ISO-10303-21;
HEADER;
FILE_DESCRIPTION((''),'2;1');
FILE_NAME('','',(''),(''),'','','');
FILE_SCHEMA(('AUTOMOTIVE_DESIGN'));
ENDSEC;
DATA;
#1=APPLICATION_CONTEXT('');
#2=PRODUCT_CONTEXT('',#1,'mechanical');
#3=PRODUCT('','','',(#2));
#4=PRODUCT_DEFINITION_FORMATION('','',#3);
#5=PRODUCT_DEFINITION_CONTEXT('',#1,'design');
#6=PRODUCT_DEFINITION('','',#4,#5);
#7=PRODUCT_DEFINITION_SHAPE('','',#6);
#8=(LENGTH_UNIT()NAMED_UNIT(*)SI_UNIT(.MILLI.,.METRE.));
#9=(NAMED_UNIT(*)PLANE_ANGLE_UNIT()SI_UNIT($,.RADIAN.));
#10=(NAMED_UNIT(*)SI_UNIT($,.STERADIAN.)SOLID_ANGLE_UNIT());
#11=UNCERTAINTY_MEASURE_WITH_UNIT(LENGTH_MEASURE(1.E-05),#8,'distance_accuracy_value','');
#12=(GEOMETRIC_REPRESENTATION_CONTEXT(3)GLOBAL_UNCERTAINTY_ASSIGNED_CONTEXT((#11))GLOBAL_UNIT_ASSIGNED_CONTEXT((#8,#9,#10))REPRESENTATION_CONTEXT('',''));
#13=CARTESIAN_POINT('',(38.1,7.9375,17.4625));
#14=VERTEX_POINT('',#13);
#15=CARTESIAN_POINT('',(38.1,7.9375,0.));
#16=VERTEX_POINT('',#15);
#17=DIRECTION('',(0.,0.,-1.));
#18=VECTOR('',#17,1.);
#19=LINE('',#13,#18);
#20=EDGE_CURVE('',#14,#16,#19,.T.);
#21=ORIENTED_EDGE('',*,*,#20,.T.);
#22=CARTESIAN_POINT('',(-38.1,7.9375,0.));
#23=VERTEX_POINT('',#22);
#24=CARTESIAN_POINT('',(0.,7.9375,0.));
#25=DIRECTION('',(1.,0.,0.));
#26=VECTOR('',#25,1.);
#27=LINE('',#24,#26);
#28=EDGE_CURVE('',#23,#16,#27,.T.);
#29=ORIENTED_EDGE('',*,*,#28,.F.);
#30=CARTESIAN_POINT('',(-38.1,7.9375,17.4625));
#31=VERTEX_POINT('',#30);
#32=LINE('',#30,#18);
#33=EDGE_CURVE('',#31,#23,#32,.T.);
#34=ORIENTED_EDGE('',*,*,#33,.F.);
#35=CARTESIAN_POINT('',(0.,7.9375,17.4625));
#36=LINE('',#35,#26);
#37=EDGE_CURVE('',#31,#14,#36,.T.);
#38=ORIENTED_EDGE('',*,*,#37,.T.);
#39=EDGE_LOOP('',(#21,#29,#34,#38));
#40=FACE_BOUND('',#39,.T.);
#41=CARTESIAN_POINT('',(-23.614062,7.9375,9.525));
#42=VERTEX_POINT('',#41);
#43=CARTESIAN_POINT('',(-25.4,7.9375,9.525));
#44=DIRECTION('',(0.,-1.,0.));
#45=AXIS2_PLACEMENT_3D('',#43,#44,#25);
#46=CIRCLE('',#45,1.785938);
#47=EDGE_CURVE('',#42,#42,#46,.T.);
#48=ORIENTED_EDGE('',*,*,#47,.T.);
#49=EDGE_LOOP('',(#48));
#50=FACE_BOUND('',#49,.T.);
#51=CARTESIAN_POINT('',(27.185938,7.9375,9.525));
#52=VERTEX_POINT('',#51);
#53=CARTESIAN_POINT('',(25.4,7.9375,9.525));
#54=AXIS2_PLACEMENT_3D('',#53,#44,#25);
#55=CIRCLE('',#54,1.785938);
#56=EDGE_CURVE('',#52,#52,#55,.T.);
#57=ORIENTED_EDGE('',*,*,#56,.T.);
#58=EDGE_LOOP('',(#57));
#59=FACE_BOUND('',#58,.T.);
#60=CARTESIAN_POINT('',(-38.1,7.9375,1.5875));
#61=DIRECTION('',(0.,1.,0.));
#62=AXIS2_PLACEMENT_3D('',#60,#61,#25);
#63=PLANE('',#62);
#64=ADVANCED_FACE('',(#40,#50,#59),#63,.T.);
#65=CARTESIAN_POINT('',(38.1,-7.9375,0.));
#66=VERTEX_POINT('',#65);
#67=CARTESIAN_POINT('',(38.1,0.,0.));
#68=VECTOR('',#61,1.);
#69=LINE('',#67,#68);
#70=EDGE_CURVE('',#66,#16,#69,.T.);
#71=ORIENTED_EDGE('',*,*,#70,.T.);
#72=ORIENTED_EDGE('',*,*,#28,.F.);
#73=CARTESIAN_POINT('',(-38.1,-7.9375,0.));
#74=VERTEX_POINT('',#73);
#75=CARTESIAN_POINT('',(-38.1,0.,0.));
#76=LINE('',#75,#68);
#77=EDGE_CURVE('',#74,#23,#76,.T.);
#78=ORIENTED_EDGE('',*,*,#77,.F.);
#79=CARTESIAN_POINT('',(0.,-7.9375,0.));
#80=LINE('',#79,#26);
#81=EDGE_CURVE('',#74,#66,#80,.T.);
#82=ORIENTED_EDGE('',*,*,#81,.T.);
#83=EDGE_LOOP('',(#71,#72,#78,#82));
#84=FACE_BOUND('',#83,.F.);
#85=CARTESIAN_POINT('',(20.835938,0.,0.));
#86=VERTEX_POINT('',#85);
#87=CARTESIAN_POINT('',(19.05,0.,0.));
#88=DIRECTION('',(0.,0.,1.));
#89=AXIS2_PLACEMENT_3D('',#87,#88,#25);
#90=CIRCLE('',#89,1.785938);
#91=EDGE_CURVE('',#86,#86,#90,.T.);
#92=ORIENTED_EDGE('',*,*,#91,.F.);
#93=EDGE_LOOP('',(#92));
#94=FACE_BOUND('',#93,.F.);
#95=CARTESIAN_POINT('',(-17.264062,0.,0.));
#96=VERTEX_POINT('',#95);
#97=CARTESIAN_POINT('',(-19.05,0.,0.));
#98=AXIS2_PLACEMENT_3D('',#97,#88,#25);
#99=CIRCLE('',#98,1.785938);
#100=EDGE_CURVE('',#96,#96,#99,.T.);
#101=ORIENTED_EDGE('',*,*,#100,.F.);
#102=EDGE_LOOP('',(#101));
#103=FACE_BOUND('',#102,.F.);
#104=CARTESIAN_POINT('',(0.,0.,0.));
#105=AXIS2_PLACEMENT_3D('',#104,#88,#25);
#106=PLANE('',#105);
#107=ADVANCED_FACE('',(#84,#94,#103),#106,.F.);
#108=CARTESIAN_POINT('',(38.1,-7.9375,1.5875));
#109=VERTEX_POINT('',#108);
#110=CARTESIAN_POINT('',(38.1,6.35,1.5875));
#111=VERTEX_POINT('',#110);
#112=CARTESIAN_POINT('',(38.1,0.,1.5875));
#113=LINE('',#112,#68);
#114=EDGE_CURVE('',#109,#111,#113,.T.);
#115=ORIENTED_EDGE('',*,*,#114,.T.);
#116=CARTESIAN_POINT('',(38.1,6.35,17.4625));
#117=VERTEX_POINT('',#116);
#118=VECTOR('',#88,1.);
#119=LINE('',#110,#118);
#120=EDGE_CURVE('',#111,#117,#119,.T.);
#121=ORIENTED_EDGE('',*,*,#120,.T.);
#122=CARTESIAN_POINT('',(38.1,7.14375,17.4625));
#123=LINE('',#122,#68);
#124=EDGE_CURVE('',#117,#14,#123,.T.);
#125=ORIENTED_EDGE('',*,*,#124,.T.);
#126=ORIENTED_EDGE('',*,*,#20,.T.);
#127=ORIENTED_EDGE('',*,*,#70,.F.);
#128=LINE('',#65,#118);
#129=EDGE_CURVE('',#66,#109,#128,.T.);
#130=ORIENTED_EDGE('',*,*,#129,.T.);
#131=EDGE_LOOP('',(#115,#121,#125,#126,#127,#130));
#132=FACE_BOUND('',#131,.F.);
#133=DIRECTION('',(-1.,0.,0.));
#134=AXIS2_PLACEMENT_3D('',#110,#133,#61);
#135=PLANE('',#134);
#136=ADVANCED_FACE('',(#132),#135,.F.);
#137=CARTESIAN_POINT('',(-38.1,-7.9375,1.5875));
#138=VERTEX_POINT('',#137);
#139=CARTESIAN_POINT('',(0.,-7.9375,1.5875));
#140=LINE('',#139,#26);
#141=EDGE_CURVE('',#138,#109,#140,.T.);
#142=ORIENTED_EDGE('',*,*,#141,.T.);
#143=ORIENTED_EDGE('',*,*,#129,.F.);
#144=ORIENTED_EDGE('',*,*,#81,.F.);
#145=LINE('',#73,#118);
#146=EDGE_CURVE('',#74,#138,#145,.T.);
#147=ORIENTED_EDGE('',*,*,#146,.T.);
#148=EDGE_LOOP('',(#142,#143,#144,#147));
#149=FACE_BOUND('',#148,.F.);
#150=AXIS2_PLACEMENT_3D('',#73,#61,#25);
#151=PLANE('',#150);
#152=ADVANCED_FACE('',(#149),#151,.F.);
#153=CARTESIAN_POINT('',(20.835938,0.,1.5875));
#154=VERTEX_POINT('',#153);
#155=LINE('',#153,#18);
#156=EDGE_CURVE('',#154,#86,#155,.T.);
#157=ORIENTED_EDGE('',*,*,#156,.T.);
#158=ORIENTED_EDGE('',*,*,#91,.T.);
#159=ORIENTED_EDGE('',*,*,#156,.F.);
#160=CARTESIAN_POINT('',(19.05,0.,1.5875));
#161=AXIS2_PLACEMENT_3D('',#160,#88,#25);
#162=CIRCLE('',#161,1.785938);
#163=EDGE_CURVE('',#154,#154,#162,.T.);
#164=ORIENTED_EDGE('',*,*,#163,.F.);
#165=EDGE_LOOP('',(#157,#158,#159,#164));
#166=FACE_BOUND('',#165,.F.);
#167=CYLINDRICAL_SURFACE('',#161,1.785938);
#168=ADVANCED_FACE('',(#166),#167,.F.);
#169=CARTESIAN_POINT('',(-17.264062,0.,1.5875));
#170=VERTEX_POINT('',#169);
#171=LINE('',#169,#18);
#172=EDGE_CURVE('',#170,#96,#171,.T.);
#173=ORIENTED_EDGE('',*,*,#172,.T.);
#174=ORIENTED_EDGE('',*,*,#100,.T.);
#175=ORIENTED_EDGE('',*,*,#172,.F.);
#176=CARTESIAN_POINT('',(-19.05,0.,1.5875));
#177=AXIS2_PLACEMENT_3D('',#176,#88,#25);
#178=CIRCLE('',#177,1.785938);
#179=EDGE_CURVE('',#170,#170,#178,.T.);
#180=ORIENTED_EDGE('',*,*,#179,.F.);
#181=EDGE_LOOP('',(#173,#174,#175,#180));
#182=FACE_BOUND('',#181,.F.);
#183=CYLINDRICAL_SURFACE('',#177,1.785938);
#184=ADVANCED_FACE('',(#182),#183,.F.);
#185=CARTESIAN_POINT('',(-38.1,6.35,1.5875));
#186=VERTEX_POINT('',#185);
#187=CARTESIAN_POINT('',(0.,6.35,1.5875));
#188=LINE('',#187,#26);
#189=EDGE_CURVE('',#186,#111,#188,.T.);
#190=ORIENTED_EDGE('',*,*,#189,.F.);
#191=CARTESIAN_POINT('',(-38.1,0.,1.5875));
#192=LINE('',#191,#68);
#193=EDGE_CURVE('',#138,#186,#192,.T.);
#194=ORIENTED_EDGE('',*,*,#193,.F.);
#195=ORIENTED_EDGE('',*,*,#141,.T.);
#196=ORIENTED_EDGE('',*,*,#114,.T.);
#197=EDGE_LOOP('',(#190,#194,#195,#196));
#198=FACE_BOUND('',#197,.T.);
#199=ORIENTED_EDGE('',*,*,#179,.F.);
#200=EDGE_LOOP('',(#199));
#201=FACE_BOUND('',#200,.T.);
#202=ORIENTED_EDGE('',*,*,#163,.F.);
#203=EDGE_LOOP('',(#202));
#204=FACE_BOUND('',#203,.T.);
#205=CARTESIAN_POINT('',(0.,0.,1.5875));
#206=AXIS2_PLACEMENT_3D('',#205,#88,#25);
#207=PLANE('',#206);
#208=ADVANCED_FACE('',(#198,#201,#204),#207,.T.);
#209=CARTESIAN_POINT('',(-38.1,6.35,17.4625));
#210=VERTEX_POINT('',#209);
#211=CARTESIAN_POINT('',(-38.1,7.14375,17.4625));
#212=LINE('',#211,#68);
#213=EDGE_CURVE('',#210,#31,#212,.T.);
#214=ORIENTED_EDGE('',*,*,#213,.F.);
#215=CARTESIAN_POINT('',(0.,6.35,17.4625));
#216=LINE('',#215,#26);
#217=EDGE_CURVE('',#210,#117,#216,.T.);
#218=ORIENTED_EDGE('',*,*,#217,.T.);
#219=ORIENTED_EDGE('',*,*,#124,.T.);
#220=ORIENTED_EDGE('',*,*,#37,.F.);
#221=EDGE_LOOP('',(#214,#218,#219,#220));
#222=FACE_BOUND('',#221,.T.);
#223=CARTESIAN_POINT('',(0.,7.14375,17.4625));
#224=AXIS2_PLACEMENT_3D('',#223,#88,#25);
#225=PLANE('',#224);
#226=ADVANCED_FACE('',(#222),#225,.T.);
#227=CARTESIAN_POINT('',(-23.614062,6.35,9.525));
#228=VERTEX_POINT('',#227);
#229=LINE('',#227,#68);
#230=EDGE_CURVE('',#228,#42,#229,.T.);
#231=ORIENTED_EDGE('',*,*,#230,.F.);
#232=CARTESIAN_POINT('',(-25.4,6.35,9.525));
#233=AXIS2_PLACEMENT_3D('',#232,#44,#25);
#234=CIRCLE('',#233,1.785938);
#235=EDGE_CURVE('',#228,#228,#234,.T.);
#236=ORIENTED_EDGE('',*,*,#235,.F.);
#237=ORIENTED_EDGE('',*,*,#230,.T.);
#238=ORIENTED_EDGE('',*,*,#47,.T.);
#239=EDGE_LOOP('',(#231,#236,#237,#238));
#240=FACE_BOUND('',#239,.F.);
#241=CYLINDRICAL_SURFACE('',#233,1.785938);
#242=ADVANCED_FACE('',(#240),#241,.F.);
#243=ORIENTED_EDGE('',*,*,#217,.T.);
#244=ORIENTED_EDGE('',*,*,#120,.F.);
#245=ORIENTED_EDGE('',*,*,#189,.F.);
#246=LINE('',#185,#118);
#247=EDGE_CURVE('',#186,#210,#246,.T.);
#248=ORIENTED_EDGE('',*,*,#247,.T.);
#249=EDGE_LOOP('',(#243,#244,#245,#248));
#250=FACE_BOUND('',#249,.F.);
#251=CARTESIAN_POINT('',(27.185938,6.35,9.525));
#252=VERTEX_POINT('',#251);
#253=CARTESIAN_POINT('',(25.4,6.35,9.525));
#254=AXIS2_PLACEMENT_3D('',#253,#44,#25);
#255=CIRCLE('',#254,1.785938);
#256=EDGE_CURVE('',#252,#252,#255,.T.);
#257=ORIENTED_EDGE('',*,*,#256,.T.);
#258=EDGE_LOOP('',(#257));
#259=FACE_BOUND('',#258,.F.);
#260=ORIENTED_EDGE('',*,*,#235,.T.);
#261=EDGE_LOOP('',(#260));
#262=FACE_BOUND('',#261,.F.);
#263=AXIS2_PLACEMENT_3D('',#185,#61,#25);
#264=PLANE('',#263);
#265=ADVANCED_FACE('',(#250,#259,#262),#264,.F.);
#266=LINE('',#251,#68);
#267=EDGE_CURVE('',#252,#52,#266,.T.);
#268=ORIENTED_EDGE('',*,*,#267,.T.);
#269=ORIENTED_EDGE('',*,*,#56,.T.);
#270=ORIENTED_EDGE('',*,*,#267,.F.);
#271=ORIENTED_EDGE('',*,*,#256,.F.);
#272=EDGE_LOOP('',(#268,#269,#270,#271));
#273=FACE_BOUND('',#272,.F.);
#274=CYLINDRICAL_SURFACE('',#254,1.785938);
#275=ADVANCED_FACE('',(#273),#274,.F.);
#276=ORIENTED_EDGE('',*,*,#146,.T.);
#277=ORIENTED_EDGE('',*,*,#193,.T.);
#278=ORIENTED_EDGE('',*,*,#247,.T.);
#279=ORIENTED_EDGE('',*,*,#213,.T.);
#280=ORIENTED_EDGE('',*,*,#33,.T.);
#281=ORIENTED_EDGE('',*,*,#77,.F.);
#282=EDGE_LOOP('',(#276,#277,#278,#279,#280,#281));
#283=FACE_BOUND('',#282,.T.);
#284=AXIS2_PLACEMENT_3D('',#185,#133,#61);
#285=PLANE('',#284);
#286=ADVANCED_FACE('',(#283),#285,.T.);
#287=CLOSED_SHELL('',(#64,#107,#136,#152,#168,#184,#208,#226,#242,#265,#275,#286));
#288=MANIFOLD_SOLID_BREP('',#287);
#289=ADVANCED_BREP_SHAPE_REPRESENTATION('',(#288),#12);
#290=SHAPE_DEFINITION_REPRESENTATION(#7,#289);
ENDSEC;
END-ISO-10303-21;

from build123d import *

# Parameters (mm, degrees)
F0_W     = 76.2
F0_H     = 15.875
F1_DEPTH = 1.5875
F2_W     = 76.2
F2_H     = 1.5875
F3_DEPTH = 15.875
F4_R     = 1.785938
F5_DEPTH = 1.5875
F6_R     = 1.785938
F7_DEPTH = 1.5875


with BuildPart() as f1:
    # F0 (on Top) → F1 (new body)
    with BuildSketch(Plane.XY):
        Rectangle(F0_W, F0_H)
    extrude(amount=F1_DEPTH)

    # F2 (on face) → F3 (join)
    with BuildSketch(Plane.XY.offset(1.5875)):
        with Locations((0, 7.14375)):
            Rectangle(F2_W, F2_H)
    extrude(amount=F3_DEPTH)

    # F4 (on face) → F5 (cut, through all)
    with BuildSketch(Plane.XY.offset(1.5875)):
        with Locations((-19.05, 0)):
            Circle(F4_R)
        with Locations((19.05, 0)):
            Circle(F4_R)
    extrude(amount=-F5_DEPTH, mode=Mode.SUBTRACT)

    # F6 (on face) → F7 (cut, through all)
    with BuildSketch(Plane.XZ.offset(-6.35)):
        with Locations((-25.4, 9.525)):
            Circle(F6_R)
        with Locations((25.4, 9.525)):
            Circle(F6_R)
    extrude(amount=-F7_DEPTH, mode=Mode.SUBTRACT)


solid = f1.part
